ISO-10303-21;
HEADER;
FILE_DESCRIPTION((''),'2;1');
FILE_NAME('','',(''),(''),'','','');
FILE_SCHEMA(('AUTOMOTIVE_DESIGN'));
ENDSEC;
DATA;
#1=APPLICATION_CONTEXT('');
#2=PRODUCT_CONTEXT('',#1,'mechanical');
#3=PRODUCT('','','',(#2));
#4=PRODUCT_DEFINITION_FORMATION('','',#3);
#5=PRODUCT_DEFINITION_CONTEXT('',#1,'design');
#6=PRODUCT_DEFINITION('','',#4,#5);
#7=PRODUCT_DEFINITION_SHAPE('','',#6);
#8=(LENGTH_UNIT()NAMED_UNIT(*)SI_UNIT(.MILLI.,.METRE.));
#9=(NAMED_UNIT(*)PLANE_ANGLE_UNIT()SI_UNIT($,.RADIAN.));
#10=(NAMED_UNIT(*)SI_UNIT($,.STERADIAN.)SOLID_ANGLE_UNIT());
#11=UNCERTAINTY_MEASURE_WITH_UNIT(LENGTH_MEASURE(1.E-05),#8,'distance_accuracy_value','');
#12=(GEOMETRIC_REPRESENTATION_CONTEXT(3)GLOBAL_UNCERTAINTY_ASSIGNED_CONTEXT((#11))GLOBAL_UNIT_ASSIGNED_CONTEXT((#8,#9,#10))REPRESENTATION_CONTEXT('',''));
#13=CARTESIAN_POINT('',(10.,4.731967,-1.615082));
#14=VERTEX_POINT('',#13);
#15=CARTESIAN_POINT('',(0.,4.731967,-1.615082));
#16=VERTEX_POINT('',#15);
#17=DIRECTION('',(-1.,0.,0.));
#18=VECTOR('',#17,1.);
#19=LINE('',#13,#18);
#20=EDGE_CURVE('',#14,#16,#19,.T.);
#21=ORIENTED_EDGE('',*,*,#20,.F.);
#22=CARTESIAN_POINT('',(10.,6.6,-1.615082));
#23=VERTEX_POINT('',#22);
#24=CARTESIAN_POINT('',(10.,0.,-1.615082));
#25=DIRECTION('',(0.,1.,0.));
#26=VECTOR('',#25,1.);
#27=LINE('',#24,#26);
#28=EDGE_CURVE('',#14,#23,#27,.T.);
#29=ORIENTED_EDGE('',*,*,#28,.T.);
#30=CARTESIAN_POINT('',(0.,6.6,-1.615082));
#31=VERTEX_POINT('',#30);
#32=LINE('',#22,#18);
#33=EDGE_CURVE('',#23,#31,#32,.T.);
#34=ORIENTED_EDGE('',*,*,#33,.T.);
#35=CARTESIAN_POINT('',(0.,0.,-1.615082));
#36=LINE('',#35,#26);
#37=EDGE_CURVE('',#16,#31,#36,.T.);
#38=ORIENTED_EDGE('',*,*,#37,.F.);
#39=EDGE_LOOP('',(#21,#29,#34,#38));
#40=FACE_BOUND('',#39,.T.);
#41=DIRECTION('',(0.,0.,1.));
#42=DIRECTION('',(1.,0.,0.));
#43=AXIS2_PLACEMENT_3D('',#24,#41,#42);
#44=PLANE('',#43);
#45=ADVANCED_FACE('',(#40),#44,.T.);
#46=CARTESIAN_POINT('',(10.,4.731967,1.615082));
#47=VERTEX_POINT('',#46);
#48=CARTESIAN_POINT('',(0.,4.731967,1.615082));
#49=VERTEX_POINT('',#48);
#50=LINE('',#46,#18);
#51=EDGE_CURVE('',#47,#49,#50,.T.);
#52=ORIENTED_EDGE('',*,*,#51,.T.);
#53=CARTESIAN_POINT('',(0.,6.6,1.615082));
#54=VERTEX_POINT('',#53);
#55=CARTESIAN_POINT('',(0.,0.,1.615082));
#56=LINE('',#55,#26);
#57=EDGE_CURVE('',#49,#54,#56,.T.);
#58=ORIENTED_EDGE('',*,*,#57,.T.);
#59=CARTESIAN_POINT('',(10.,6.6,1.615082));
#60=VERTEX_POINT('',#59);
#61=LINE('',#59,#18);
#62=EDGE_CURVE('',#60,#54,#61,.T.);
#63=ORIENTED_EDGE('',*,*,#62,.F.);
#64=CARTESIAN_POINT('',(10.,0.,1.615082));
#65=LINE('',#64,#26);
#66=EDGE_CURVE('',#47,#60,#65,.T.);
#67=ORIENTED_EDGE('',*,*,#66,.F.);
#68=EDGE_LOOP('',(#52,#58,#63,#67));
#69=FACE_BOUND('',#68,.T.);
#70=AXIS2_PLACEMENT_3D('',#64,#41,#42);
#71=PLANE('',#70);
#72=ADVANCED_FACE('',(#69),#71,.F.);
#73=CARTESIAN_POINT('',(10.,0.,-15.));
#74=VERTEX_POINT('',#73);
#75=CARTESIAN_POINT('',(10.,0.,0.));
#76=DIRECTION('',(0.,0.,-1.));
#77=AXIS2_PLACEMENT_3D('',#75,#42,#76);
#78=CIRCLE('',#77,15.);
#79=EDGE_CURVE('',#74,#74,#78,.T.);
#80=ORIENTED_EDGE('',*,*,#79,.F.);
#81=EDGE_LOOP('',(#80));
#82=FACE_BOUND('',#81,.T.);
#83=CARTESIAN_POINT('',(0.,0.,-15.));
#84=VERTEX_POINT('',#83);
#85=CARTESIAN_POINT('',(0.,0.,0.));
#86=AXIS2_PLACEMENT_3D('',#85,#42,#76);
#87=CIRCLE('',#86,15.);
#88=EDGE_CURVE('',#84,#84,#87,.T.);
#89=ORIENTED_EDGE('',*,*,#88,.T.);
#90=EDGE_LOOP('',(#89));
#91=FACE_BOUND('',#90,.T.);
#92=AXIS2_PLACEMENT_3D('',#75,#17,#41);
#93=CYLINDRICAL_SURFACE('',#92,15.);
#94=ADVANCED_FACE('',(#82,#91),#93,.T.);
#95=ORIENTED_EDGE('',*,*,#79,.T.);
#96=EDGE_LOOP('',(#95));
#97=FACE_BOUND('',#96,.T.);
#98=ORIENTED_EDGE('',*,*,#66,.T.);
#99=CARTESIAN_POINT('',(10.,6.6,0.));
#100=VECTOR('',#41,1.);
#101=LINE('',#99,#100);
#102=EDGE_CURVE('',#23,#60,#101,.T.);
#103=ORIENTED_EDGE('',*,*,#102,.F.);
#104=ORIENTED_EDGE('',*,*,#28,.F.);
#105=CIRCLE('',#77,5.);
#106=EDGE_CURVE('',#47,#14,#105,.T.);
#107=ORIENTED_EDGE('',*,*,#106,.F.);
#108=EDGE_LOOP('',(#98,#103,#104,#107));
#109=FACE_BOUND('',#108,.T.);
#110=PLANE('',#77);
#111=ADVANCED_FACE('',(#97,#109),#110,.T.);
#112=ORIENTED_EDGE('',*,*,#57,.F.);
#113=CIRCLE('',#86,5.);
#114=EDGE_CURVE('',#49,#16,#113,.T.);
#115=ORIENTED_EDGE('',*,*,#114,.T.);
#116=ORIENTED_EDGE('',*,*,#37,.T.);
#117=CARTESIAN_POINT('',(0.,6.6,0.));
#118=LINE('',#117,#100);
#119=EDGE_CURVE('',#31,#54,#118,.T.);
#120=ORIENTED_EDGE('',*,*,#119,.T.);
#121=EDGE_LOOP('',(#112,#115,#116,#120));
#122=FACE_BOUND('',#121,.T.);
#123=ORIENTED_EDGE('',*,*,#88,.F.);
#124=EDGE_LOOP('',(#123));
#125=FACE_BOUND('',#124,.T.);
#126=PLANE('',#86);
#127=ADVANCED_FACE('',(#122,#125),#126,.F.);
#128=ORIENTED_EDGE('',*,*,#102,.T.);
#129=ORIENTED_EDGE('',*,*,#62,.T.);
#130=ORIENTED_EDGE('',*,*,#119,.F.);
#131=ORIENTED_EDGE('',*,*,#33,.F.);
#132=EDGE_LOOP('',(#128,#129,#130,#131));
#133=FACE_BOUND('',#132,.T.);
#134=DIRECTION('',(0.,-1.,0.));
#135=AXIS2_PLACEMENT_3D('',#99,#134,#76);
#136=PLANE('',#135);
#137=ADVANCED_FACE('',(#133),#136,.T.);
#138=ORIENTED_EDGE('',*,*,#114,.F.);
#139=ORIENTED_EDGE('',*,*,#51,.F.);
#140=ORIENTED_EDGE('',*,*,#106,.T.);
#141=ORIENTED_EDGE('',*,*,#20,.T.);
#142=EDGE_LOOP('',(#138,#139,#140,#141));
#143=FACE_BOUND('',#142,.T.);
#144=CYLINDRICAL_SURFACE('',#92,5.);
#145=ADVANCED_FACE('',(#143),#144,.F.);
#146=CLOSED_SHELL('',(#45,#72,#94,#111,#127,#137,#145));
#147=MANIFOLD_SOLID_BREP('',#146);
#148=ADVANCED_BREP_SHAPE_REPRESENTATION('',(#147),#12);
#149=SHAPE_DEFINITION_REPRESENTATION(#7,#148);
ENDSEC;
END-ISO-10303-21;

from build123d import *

# Parameters (mm, degrees)
SKETCH1_R           = 15
BOSS_EXTRUDE1_DEPTH = 10


with BuildPart() as part:
    # Sketch1 → Boss-Extrude1 (new body)
    with BuildSketch(Plane(origin=(0, 0, 0), x_dir=(0, 0, -1), z_dir=(1, 0, 0))):
        Circle(SKETCH1_R)
        with BuildLine():
            Line((1.615081939, 6.6), (1.615081939, 4.731966857))
            ThreePointArc((1.615081939, 4.731966857), (4.0666577, 2.909002433), (5, 0))
            ThreePointArc((5, 0), (-2.909002433, -4.0666577), (-1.615081939, 4.731966857))
            Line((-1.615081939, 4.731966857), (-1.615081939, 6.6))
            Line((-1.615081939, 6.6), (1.615081939, 6.6))
        make_face(mode=Mode.SUBTRACT)
    extrude(amount=BOSS_EXTRUDE1_DEPTH)


solid = part.part
